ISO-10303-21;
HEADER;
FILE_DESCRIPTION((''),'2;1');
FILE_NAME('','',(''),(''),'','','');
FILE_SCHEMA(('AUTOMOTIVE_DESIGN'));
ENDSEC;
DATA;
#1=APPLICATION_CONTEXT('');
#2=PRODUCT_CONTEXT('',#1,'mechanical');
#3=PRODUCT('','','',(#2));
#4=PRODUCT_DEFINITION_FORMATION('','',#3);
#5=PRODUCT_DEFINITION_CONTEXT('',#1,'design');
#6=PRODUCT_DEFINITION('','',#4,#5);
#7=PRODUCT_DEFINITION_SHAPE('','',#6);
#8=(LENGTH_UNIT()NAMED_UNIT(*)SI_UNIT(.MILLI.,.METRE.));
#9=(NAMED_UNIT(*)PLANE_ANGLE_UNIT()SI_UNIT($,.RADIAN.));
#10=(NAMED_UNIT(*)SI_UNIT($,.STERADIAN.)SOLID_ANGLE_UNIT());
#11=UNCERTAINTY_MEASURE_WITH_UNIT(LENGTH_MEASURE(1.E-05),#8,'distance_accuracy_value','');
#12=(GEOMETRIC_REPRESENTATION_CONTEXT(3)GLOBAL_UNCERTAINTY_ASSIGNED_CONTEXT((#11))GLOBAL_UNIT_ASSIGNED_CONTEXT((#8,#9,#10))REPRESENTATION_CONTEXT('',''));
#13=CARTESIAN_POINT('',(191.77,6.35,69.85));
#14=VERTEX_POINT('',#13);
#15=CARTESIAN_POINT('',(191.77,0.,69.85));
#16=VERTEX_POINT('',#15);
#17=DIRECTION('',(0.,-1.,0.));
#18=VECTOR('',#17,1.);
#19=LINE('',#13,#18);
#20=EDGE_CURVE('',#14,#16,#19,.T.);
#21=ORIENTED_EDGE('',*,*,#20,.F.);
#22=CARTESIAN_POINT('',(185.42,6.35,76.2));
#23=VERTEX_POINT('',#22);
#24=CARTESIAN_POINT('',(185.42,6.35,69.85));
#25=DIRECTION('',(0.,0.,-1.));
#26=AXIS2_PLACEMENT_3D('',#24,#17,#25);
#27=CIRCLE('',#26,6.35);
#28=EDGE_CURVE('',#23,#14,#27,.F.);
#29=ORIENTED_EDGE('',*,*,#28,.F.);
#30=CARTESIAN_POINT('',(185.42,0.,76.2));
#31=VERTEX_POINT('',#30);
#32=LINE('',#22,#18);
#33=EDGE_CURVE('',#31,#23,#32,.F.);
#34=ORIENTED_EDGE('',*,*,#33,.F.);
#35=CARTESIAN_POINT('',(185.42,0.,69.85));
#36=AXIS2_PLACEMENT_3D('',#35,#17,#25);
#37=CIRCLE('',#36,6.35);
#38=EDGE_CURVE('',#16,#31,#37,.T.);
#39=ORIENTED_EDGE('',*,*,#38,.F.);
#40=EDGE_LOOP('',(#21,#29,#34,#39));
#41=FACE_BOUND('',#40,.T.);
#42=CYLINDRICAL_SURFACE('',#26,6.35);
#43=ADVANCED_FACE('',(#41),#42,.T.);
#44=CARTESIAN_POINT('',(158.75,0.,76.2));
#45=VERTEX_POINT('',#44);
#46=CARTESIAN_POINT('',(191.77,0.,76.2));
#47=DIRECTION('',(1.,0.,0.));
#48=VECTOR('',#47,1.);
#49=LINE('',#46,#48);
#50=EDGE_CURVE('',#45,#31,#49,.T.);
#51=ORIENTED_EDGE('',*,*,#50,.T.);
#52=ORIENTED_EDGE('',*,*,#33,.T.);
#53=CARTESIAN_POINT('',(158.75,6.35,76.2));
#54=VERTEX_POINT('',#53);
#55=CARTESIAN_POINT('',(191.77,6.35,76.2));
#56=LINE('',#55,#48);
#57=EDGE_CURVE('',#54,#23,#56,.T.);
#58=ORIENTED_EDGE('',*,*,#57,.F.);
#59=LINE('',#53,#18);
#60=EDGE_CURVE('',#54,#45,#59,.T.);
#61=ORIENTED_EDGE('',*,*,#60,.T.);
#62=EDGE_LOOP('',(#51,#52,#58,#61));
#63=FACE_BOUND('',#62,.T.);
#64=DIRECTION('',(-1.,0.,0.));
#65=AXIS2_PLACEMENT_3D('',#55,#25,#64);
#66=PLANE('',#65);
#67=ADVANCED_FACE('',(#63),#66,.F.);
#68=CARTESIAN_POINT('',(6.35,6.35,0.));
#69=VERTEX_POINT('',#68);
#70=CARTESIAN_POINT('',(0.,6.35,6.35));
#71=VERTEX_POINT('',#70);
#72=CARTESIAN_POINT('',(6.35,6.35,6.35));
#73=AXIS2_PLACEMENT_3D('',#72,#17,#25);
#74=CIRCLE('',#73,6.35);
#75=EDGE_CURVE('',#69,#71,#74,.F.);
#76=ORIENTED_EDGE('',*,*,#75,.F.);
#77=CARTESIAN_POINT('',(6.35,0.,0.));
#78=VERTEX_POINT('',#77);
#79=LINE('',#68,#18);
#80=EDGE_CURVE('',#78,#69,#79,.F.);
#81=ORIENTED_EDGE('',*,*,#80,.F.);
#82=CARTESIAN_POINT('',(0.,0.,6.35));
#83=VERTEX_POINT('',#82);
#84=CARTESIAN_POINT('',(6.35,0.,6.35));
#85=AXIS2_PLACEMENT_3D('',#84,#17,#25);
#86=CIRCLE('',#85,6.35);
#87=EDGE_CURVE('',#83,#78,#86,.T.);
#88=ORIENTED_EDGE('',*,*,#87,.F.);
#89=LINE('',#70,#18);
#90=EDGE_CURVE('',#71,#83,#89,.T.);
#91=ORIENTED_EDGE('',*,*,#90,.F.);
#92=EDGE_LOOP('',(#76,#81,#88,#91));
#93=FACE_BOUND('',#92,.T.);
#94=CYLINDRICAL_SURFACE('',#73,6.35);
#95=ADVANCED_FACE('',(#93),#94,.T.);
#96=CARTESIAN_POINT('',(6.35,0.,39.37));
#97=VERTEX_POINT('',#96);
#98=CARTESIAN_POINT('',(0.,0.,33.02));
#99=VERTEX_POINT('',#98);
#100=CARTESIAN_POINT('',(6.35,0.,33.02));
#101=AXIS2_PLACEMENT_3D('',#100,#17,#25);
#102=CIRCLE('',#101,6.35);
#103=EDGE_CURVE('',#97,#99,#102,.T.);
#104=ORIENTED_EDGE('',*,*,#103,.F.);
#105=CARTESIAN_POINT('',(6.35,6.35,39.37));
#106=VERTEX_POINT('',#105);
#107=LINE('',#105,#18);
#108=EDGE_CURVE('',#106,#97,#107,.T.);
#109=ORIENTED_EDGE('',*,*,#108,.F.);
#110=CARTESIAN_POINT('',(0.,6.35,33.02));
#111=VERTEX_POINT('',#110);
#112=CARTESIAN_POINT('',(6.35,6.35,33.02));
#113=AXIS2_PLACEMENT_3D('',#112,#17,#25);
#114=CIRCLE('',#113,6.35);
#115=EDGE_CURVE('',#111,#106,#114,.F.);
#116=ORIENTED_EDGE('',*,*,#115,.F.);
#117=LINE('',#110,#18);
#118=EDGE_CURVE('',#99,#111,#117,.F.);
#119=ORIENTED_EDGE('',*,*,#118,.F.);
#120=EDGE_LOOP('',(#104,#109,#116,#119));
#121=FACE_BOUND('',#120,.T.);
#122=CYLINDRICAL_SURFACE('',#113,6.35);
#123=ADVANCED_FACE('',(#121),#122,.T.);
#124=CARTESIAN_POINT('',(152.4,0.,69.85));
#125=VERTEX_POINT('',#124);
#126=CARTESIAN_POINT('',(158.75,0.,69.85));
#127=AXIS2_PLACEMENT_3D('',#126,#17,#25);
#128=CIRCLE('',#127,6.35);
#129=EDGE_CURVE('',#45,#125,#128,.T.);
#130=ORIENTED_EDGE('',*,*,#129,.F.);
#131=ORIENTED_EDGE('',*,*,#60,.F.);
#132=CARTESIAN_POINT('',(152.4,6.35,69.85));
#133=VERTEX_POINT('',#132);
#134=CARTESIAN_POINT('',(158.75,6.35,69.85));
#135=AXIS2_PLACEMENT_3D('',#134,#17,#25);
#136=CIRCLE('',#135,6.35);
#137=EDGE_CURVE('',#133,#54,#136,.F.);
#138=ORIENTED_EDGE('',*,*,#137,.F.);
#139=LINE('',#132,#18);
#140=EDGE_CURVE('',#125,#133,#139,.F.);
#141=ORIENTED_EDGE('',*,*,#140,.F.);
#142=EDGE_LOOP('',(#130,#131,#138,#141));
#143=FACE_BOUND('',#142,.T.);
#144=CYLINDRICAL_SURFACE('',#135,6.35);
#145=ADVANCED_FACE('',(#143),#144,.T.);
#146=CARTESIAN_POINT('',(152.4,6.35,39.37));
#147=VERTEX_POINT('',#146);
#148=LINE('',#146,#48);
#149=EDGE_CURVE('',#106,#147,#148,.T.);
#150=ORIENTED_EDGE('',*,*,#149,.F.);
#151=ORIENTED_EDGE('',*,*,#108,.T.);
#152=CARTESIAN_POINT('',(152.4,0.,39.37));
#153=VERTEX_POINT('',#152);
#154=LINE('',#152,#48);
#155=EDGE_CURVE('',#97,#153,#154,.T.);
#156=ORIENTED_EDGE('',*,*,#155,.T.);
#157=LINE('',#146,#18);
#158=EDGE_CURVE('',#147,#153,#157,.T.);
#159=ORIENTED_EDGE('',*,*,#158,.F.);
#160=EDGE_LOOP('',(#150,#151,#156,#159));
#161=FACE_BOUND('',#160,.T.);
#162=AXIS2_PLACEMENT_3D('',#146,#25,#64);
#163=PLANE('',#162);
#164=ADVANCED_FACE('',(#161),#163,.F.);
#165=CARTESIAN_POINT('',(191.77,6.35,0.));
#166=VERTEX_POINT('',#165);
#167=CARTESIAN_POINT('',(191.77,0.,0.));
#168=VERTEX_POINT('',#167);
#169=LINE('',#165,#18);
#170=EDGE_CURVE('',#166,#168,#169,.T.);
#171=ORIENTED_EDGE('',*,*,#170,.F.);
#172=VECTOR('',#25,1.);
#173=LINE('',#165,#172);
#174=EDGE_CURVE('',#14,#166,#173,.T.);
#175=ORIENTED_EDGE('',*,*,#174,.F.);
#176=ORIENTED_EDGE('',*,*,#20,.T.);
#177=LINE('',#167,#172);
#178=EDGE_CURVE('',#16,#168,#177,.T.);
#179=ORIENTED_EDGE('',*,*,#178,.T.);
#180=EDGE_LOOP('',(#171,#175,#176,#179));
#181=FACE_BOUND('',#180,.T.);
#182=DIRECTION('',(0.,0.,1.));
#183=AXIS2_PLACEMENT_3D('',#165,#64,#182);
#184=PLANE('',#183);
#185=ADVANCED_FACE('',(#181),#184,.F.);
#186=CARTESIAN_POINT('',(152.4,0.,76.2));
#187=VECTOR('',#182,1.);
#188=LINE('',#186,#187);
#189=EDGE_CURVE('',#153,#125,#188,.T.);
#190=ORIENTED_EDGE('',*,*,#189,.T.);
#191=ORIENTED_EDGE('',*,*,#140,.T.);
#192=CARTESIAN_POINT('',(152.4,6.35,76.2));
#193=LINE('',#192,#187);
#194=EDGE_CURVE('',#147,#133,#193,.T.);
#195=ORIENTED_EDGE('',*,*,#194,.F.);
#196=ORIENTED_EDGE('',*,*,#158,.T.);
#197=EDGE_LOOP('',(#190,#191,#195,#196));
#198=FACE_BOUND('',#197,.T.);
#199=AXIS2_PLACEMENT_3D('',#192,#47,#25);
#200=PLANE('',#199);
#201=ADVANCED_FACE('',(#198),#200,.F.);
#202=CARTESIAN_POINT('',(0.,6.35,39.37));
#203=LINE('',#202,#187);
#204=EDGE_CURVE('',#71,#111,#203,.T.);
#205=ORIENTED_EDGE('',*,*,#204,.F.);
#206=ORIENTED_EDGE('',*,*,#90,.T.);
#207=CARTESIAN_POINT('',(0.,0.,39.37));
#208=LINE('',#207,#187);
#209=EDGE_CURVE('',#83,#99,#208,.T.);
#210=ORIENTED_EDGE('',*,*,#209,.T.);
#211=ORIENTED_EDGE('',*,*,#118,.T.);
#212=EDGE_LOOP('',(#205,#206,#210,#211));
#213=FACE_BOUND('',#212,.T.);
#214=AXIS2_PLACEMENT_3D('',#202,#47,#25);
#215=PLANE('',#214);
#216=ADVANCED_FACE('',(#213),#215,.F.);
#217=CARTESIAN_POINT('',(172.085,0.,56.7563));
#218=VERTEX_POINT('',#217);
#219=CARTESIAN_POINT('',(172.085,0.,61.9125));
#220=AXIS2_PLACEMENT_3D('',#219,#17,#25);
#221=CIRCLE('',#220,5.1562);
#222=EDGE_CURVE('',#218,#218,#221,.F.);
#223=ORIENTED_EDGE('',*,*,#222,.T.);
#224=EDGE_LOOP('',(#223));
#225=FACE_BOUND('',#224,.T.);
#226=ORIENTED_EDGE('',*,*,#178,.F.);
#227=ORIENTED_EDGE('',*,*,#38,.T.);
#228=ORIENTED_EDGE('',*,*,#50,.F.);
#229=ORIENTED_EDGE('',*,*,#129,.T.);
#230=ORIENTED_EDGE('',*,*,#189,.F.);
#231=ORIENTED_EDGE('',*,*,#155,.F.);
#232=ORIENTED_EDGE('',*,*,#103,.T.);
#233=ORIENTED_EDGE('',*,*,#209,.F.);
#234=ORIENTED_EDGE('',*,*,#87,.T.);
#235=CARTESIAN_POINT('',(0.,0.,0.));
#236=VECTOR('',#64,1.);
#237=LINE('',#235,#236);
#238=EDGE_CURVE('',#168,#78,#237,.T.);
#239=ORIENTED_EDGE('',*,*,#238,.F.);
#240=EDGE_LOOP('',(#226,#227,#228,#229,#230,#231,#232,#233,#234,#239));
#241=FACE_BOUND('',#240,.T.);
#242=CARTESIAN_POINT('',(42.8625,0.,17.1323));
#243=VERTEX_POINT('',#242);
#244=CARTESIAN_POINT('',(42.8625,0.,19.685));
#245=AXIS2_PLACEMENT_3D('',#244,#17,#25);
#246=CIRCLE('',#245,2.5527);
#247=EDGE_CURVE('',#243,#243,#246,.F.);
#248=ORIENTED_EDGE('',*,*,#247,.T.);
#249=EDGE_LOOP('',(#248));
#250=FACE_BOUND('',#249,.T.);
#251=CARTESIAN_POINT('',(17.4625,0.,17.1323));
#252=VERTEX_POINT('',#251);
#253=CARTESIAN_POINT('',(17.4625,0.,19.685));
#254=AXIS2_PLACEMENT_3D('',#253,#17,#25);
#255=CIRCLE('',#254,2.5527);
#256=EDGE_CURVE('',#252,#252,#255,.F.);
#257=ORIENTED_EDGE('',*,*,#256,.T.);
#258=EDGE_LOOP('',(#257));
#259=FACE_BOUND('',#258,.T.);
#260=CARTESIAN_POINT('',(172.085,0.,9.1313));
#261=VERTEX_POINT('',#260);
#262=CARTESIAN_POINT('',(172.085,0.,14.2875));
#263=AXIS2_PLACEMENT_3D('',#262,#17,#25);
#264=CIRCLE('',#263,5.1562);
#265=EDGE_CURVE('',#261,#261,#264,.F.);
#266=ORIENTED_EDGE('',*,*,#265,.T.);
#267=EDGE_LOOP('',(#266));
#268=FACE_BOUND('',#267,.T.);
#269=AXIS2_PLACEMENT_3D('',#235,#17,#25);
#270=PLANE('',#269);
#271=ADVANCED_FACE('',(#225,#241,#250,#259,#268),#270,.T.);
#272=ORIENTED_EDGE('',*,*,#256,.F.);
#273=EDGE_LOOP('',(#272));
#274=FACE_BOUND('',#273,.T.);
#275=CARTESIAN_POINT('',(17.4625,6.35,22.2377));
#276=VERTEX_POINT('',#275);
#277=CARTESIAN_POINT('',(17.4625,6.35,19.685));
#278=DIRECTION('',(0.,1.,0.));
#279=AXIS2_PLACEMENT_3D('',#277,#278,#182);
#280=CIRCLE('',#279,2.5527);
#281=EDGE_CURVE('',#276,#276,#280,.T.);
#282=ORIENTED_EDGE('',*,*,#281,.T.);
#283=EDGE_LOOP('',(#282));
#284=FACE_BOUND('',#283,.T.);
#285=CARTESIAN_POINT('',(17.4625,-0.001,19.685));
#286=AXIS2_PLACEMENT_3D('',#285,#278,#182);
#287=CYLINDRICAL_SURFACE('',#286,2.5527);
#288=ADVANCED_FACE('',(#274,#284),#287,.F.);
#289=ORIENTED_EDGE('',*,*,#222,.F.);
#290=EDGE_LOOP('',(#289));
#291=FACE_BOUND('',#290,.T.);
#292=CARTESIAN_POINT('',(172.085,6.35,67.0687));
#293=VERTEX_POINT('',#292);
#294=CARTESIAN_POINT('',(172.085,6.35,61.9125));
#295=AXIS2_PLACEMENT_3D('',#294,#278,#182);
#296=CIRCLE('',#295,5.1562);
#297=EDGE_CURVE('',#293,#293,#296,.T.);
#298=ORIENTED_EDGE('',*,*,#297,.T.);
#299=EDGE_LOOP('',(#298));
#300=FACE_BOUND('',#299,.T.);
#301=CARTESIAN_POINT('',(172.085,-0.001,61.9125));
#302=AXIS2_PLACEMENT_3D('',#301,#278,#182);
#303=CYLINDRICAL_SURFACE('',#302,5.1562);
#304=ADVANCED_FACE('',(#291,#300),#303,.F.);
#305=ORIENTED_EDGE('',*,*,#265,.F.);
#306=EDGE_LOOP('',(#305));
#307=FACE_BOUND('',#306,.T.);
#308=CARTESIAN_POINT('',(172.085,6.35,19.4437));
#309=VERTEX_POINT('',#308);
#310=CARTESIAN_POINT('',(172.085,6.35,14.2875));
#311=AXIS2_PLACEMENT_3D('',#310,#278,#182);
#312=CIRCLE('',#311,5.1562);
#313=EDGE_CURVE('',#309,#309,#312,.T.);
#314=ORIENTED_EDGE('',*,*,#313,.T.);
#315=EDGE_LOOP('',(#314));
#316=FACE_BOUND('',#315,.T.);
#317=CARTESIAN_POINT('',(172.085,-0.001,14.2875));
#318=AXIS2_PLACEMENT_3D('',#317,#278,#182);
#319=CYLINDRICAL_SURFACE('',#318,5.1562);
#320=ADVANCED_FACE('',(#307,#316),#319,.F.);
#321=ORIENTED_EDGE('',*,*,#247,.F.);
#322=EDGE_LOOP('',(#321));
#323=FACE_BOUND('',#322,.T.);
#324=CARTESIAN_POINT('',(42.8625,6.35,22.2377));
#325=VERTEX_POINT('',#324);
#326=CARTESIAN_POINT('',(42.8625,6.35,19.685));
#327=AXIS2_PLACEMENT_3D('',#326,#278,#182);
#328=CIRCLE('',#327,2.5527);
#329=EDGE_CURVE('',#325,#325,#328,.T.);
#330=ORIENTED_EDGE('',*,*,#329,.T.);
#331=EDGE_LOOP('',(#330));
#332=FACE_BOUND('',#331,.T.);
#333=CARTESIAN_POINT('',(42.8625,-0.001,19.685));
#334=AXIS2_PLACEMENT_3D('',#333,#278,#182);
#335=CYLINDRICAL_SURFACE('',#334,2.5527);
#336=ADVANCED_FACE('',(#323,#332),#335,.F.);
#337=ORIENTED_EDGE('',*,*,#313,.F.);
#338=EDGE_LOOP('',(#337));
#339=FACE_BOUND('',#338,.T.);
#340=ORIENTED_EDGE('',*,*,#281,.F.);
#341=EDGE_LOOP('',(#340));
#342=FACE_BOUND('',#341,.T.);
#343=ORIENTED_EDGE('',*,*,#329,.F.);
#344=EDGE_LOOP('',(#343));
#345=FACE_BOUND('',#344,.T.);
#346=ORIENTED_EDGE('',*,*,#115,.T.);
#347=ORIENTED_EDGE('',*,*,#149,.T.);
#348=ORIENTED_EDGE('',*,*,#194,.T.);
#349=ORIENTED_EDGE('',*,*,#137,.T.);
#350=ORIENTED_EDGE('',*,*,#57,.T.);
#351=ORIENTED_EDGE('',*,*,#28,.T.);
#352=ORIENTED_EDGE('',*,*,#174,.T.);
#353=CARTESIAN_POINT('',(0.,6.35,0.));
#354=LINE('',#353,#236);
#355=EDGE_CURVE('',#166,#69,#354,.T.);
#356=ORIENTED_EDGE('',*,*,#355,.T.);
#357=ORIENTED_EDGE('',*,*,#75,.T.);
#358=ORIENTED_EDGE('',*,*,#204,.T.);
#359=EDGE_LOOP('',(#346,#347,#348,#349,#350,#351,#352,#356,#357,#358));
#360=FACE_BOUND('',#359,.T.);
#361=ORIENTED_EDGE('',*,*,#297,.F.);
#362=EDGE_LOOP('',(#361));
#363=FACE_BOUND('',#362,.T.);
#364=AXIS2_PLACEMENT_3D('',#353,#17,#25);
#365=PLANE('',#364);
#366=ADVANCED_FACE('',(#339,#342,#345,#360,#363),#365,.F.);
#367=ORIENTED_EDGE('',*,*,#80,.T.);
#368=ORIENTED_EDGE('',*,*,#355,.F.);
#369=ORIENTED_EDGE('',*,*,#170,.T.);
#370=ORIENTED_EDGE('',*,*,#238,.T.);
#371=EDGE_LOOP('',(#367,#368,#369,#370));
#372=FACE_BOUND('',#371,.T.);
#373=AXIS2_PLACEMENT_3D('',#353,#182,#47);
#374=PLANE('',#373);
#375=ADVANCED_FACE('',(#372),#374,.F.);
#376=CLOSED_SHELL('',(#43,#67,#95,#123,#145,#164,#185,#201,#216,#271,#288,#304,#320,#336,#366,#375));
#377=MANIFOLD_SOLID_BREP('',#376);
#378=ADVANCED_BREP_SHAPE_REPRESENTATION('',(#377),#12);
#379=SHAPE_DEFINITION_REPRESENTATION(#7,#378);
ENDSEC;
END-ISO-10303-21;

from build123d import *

# Parameters (mm, degrees)
BOSS_EXTRUDE1_DEPTH = 6.35
CUT_EXTRUDE1_REACH  = 8.35
SKETCH4_R           = 2.5527
SKETCH4_R_2         = 5.1562
FILLET1_R           = 6.35


with BuildPart() as part:
    # Sketch3 → Boss-Extrude1 (new body)
    with BuildSketch(Plane(origin=(0, 0, 0), x_dir=(1, 0, 0), z_dir=(0, 1, 0))):
        Polygon((0, 0), (191.77, 0), (191.77, -76.2), (152.4, -76.2), (152.4, -39.37), (0, -39.37), align=None)
    extrude(amount=BOSS_EXTRUDE1_DEPTH)

    # Sketch4 → Cut-Extrude1 (cut, up to next)
    with BuildSketch(Plane(origin=(0, 6.35, 0), x_dir=(1, 0, 0), z_dir=(0, 1, 0)), mode=Mode.PRIVATE) as cut_extrude1_sk1:
        with Locations((17.4625, -19.685)):
            Circle(SKETCH4_R)
    cut_extrude1_tool1 = extrude(cut_extrude1_sk1.sketch, amount=-CUT_EXTRUDE1_REACH, mode=Mode.PRIVATE) & part.part
    add(cut_extrude1_tool1.solids().sort_by_distance((17.4625, 6.35, 19.685))[0], mode=Mode.SUBTRACT)
    # Sketch4 → Cut-Extrude1 (cut, up to next)
    with BuildSketch(Plane(origin=(0, 6.35, 0), x_dir=(1, 0, 0), z_dir=(0, 1, 0)), mode=Mode.PRIVATE) as cut_extrude1_sk2:
        with Locations((42.8625, -19.685)):
            Circle(SKETCH4_R)
    cut_extrude1_tool2 = extrude(cut_extrude1_sk2.sketch, amount=-CUT_EXTRUDE1_REACH, mode=Mode.PRIVATE) & part.part
    add(cut_extrude1_tool2.solids().sort_by_distance((42.8625, 6.35, 19.685))[0], mode=Mode.SUBTRACT)
    # Sketch4 → Cut-Extrude1 (cut, up to next)
    with BuildSketch(Plane(origin=(0, 6.35, 0), x_dir=(1, 0, 0), z_dir=(0, 1, 0)), mode=Mode.PRIVATE) as cut_extrude1_sk3:
        with Locations((172.085, -14.2875)):
            Circle(SKETCH4_R_2)
    cut_extrude1_tool3 = extrude(cut_extrude1_sk3.sketch, amount=-CUT_EXTRUDE1_REACH, mode=Mode.PRIVATE) & part.part
    add(cut_extrude1_tool3.solids().sort_by_distance((172.085, 6.35, 14.2875))[0], mode=Mode.SUBTRACT)
    # Sketch4 → Cut-Extrude1 (cut, up to next)
    with BuildSketch(Plane(origin=(0, 6.35, 0), x_dir=(1, 0, 0), z_dir=(0, 1, 0)), mode=Mode.PRIVATE) as cut_extrude1_sk4:
        with Locations((172.085, -61.9125)):
            Circle(SKETCH4_R_2)
    cut_extrude1_tool4 = extrude(cut_extrude1_sk4.sketch, amount=-CUT_EXTRUDE1_REACH, mode=Mode.PRIVATE) & part.part
    add(cut_extrude1_tool4.solids().sort_by_distance((172.085, 6.35, 61.9125))[0], mode=Mode.SUBTRACT)

    # Fillet1
    fillet1_edges = [part.edges().sort_by_distance(p)[0] for p in [
        (0, 3.175, 0),
        (191.77, 3.175, 76.2),
        (152.4, 3.175, 76.2),
        (0, 3.175, 39.37),
    ]]
    fillet(fillet1_edges, radius=FILLET1_R)


solid = part.part
